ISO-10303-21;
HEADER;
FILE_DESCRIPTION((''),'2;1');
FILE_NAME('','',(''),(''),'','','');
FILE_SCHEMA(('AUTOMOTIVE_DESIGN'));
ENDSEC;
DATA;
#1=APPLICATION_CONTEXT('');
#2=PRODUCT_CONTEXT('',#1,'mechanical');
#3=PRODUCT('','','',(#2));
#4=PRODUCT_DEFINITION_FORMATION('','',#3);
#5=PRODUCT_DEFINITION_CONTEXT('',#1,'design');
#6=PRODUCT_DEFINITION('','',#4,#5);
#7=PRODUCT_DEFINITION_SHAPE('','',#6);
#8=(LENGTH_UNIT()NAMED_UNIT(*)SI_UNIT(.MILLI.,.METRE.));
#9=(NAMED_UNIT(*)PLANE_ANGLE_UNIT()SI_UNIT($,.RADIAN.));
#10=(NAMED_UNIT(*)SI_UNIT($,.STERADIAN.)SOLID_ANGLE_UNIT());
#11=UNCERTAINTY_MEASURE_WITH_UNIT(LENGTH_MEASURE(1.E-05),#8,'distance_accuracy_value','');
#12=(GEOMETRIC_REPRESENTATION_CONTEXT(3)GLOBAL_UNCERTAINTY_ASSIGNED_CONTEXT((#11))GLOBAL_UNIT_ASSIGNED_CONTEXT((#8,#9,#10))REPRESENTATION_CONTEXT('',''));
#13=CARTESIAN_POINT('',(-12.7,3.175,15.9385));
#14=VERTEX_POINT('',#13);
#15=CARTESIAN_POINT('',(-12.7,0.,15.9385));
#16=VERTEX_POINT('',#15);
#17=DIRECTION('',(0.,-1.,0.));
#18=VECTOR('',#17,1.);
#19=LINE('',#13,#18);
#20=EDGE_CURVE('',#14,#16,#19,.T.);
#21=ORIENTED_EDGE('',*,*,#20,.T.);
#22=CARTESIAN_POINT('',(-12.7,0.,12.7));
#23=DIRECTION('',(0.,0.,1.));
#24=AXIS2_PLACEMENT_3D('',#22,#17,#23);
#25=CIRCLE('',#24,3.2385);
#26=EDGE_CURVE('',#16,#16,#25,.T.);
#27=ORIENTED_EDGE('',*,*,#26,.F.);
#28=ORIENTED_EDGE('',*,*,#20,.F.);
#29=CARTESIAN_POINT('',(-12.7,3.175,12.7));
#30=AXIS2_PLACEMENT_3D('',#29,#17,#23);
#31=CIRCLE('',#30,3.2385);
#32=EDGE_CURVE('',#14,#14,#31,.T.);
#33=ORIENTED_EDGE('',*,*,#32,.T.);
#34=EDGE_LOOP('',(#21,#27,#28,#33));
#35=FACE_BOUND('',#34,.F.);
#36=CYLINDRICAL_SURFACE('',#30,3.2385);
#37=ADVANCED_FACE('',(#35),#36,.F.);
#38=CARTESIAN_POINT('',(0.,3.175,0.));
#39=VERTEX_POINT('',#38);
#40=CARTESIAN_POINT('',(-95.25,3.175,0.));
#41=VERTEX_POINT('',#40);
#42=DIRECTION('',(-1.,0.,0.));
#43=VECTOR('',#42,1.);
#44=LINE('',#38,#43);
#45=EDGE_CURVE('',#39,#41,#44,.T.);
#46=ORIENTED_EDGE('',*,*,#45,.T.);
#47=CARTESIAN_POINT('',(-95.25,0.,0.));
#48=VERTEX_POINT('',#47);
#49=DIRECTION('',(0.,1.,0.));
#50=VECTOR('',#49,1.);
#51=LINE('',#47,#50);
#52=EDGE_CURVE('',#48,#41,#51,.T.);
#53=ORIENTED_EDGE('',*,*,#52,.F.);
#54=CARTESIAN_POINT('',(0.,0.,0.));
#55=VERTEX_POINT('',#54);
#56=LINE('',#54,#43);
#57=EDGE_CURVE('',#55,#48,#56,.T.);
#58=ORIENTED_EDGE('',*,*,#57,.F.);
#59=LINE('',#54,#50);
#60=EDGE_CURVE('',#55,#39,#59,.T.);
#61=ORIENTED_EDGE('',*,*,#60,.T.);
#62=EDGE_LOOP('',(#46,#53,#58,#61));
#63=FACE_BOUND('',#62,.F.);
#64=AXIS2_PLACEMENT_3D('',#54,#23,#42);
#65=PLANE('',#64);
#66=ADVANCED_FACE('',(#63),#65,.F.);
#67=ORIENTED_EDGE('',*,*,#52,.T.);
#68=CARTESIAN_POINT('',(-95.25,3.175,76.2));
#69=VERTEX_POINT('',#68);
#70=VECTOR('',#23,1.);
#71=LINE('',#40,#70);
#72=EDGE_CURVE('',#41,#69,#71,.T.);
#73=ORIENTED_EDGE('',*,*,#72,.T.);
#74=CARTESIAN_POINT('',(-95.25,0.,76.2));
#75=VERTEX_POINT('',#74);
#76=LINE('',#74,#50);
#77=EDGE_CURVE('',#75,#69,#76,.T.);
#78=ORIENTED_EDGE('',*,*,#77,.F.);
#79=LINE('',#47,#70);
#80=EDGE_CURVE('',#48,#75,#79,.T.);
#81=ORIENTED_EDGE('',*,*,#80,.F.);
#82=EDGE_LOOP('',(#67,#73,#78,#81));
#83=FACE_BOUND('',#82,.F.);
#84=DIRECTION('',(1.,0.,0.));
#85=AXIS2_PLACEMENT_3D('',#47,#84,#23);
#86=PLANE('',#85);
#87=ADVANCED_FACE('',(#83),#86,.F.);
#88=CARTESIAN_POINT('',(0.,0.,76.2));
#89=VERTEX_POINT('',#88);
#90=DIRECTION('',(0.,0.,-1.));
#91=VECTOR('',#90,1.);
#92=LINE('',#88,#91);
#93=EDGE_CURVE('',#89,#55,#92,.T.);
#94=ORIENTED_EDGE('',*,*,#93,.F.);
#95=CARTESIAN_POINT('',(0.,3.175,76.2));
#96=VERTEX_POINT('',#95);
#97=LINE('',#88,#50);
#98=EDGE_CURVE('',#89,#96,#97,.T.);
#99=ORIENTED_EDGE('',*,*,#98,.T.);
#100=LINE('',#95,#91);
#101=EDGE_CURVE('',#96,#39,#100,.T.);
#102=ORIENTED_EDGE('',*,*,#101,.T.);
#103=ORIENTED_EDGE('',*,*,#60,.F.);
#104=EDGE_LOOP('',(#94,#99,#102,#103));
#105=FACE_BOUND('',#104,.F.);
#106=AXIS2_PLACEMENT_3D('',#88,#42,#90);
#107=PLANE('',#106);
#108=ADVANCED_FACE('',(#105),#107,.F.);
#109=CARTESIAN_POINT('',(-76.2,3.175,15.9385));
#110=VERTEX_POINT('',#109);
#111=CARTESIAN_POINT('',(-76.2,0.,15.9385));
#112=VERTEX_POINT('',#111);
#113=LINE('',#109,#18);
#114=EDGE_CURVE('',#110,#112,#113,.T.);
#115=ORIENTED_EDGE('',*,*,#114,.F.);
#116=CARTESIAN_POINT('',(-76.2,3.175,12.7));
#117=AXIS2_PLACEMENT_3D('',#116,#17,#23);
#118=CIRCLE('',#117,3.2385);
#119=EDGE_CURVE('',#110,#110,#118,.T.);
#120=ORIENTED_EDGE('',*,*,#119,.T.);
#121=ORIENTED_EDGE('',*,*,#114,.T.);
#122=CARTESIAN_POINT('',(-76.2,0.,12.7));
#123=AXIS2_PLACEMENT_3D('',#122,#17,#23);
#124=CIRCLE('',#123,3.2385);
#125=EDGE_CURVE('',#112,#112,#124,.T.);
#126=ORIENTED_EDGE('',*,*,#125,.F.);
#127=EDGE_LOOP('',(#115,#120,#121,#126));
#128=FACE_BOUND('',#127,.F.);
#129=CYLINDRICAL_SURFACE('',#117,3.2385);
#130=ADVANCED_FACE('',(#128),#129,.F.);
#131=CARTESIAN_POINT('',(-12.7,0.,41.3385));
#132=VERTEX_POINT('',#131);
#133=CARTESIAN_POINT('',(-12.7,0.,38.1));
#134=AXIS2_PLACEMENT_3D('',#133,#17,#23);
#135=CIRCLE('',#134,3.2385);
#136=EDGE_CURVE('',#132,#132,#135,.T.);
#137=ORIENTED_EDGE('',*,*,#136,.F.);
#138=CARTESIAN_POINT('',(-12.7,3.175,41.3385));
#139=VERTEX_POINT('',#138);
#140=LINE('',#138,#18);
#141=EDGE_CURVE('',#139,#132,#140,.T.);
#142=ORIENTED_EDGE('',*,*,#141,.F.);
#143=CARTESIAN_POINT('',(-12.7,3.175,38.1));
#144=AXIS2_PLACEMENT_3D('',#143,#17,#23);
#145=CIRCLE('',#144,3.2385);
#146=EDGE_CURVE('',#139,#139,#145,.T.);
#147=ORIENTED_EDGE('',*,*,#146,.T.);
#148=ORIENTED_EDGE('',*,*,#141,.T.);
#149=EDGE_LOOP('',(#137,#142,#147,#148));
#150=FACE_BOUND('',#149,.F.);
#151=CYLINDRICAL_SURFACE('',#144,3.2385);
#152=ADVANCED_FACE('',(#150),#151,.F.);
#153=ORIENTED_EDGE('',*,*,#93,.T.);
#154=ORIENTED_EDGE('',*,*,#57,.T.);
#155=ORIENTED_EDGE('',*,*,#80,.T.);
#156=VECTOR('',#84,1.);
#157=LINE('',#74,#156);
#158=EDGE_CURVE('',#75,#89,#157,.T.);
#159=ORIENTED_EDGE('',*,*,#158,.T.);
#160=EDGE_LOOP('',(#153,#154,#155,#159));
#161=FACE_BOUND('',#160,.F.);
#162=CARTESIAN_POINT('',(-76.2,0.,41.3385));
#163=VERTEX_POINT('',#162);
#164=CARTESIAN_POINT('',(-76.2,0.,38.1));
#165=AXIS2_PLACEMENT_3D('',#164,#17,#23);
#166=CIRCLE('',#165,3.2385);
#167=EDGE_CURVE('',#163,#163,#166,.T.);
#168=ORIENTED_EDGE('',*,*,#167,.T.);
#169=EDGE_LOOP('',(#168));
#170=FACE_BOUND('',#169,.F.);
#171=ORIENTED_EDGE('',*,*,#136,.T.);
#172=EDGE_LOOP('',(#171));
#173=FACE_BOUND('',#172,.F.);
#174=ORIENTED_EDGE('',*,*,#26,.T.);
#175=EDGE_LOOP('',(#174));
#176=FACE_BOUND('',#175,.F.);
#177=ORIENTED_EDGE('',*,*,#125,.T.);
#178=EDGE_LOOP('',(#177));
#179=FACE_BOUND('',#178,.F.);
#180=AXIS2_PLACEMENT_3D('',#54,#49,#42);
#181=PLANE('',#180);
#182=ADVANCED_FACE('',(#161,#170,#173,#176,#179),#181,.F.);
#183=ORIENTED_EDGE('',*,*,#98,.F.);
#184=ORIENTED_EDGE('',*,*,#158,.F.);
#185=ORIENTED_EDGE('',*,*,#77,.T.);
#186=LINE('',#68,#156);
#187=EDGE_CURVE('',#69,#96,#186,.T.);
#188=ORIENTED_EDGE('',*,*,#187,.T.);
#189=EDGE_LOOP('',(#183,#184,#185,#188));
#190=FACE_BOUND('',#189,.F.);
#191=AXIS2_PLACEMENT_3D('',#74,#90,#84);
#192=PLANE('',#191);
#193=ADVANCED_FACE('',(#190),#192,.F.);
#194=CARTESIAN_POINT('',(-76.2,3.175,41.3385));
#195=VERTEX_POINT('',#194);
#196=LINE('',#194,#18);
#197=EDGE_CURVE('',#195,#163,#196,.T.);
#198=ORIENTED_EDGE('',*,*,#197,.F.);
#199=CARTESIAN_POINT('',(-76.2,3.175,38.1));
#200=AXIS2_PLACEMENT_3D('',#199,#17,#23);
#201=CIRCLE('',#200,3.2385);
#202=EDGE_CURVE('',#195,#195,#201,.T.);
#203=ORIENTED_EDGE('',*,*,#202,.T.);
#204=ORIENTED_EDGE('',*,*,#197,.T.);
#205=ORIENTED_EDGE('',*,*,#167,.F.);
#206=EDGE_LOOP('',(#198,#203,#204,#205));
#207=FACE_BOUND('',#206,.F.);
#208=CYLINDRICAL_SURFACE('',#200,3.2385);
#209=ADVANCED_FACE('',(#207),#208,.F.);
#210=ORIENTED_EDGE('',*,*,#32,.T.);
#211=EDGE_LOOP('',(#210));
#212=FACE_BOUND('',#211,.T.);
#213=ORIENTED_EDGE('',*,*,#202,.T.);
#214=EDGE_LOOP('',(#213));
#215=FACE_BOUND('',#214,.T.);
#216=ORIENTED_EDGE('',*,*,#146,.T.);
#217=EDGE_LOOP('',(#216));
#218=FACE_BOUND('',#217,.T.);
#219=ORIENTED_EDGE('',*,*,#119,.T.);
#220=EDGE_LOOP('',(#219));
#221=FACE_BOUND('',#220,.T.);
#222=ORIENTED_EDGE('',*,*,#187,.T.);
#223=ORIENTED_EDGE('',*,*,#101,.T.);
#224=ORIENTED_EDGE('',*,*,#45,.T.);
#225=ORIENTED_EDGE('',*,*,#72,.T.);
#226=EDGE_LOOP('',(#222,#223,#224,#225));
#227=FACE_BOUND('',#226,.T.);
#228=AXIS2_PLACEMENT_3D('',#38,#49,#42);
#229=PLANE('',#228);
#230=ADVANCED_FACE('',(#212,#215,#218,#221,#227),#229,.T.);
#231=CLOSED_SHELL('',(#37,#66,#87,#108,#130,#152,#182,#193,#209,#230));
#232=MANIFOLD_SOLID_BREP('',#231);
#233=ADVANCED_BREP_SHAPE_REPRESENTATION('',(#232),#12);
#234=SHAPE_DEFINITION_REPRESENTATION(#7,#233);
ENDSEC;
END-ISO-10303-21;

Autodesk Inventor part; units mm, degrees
ref_plane "YZ Plane" through (0, 0, 0) normal (1, 0, 0) x (0, 1, 0)
ref_plane "XZ Plane" through (0, 0, 0) normal (0, 1, 0) x (-1, 0, 0)
ref_plane "XY Plane" through (0, 0, 0) normal (0, 0, 1) x (1, 0, 0)
sketch "Sketch1" plane through (0, 0, 0) normal (0, 1, 0) x (-1, 0, 0)
  line L0 (0, 0) -> (95.25, 0)
  line L1 (95.25, 0) -> (95.25, 76.2)
  line L2 (95.25, 76.2) -> (0, 76.2)
  line L3 (0, 76.2) -> (0, 0)
  point P0 (76.2, 12.7)
  point P1 (12.7, 13.1017)
  point P2 (76.2, 38.1)
  point P3 (12.7, 38.1)
  dimension "d0" = 95.25
  dimension "d1" = 76.2
  dimension "d14" = 12.7
  dimension "d15" = 19.05
  dimension "d16" = 63.5
  dimension "d29" = 19.05
  dimension "d30" = 38.1
  dimension "d31" = 63.5
extrude "Extrusion2" add sketch "Sketch1" along normal blind 3.175
sketch "Sketch3" plane through (0, 3.175, 0) normal (0, 1, 0) x (1, 0, 0)
  line L0 (0, 0) -> (-95.25, 0) projected
  line L1 (-95.25, 0) -> (-95.25, -76.2) projected
  point P0 (-76.2, -12.7)
  point P1 (-12.7, -12.7)
  point P2 (-76.2, -38.1)
  point P3 (-12.7, -38.1)
  dimension "d19" = 19.05
  dimension "d20" = 12.7
  dimension "d21" = 63.5
  dimension "d32" = 25.4
  dimension "d33" = 63.5
  dimension "d34" = 19.05
hole "Hole3" at (-76.2, 3.175, 12.7) at (-12.7, 3.175, 12.7) at (-76.2, 3.175, 38.1) at (-12.7, 3.175, 38.1) direction (0, -1, 0) diameter 6.477 end through all
properties part number "slider"
